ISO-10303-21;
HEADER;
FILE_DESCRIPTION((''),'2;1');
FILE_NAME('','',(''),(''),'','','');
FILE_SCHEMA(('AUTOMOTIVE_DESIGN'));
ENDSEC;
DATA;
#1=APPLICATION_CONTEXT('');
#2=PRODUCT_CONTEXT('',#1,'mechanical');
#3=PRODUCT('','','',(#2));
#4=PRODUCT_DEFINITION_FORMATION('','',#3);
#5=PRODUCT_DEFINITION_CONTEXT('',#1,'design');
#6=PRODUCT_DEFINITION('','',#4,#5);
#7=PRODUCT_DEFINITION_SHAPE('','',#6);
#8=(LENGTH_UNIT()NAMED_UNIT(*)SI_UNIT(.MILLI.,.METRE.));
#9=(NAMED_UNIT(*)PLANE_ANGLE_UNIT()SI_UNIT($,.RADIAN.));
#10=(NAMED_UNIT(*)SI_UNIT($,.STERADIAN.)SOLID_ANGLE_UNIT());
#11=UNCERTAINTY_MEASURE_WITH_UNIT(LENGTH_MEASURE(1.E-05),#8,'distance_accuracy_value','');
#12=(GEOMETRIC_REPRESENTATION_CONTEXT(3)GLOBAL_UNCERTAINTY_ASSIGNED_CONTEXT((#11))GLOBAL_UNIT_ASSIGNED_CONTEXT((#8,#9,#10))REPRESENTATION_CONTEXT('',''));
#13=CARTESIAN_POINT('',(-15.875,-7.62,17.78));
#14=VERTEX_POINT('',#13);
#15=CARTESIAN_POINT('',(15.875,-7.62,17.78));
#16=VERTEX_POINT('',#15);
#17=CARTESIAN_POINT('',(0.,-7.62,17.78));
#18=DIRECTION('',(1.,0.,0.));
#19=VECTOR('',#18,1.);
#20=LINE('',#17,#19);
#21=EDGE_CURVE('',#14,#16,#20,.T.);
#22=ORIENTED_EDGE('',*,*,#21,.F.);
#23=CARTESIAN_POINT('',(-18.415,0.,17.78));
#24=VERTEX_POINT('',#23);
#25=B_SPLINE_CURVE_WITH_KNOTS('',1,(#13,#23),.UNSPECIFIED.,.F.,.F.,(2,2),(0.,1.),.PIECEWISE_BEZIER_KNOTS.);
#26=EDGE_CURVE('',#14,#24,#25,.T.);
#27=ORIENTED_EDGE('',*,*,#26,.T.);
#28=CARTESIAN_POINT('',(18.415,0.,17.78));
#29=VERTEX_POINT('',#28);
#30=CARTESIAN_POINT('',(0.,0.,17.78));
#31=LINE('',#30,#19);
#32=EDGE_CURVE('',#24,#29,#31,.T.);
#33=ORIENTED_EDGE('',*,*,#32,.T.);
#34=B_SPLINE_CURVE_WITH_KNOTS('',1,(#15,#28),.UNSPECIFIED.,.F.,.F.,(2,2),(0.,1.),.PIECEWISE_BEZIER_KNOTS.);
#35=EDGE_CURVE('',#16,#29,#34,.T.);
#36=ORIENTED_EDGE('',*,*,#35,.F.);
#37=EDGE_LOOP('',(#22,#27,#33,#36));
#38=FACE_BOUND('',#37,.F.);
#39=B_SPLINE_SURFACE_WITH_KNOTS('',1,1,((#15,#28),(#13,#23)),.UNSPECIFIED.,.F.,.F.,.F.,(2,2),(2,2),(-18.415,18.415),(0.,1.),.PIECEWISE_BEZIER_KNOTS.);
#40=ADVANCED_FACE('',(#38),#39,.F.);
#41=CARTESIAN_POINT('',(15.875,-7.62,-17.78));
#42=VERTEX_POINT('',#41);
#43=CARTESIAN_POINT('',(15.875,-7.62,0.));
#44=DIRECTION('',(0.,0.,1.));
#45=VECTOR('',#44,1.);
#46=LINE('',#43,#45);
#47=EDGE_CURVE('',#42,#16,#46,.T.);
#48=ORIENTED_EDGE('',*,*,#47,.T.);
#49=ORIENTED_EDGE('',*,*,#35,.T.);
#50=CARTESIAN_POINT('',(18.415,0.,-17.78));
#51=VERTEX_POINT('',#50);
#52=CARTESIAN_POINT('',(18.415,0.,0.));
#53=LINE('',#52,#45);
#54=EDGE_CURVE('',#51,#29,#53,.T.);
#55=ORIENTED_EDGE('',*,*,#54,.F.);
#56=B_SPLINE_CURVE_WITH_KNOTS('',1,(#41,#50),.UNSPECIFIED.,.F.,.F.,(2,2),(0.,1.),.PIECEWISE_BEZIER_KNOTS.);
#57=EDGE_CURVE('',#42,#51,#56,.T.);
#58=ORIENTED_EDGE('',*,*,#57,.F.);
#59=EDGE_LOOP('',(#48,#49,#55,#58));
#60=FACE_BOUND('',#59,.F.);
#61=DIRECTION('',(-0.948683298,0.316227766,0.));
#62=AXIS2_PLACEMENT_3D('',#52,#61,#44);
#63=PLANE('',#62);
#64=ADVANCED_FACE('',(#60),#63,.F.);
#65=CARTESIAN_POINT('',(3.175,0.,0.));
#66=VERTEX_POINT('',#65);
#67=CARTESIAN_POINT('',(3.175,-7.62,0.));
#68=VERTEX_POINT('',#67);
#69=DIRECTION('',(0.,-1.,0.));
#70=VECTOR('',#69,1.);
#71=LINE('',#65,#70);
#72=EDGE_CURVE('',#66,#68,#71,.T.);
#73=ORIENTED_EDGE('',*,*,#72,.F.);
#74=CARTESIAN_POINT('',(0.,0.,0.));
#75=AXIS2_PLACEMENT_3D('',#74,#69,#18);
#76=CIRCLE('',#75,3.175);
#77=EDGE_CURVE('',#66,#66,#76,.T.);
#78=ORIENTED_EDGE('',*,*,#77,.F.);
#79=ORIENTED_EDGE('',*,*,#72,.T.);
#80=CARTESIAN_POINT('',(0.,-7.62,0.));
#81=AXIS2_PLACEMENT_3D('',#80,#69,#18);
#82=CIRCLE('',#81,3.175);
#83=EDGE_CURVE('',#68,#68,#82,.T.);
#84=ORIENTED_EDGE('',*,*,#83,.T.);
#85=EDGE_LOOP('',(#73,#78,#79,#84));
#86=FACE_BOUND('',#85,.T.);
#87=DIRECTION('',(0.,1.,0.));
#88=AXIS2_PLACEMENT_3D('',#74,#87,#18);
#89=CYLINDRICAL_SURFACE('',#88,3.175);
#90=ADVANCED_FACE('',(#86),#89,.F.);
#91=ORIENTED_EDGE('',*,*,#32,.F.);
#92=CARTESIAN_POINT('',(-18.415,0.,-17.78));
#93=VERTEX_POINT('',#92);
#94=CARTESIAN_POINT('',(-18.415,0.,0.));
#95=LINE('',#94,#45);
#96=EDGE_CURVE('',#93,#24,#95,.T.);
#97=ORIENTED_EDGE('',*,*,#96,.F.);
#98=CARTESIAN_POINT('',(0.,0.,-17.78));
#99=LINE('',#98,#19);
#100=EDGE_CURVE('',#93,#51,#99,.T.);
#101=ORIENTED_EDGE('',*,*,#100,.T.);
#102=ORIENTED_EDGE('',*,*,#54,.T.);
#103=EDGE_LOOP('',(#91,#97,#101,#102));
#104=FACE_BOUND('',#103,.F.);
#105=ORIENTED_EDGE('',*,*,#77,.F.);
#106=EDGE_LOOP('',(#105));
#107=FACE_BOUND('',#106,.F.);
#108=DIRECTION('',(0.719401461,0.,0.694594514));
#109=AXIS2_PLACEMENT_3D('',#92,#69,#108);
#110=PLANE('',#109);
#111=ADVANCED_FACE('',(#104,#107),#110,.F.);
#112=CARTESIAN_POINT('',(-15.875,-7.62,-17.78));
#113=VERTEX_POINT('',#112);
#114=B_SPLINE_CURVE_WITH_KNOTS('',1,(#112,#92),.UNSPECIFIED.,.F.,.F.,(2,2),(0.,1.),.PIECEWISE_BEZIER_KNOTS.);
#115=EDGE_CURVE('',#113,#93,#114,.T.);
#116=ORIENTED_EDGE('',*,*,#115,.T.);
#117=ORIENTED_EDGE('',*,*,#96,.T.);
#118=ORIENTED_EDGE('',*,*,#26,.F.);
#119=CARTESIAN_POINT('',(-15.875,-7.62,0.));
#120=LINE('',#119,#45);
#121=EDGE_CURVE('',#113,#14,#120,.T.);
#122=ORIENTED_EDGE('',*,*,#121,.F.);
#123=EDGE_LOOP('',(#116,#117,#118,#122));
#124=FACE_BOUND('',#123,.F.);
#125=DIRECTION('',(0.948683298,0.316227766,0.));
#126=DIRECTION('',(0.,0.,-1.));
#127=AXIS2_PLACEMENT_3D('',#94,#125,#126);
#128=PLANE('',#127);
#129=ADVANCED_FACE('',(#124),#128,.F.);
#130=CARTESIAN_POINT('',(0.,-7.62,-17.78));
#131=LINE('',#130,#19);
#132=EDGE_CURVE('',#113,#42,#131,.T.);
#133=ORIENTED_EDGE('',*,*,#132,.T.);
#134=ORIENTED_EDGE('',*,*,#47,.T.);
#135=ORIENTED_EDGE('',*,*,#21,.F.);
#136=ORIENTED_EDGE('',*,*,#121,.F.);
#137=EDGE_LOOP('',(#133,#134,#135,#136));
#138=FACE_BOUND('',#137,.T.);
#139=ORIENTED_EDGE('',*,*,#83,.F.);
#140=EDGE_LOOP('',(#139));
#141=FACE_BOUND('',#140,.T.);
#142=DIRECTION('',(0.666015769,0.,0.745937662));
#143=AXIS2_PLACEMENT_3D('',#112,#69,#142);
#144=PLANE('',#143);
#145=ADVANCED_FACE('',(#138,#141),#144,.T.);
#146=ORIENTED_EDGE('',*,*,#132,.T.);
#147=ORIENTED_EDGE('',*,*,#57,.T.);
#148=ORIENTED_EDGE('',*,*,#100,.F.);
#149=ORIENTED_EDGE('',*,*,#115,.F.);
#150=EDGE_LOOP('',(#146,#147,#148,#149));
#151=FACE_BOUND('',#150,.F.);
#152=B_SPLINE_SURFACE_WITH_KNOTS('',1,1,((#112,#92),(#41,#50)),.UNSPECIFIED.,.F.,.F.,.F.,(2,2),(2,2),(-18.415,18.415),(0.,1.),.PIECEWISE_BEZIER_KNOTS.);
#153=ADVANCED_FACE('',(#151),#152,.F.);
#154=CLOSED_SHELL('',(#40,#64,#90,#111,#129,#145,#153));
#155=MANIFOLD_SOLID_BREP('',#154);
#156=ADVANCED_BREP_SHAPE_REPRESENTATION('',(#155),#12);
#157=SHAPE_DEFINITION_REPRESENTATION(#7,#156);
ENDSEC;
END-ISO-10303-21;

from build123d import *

# Parameters (mm, degrees)
F2_W     = 31.75
F2_H     = 35.56
F0_W     = 36.83
F0_H     = 35.56
F4_R     = 3.175
F5_DEPTH = 7.62


with BuildPart() as f3:
    # F2 (on offset) → F3 section 0
    with BuildSketch(Plane.XZ.offset(7.62)):
        Rectangle(F2_W, F2_H)
    # F0 (on Front) → F3 section 1
    with BuildSketch(Plane.XZ):
        Rectangle(F0_W, F0_H)
    loft()

    # F4 (on face) → F5 (cut, through all)
    with BuildSketch(Plane.XZ):
        Circle(F4_R)
    extrude(amount=F5_DEPTH, mode=Mode.SUBTRACT)


solid = f3.part
